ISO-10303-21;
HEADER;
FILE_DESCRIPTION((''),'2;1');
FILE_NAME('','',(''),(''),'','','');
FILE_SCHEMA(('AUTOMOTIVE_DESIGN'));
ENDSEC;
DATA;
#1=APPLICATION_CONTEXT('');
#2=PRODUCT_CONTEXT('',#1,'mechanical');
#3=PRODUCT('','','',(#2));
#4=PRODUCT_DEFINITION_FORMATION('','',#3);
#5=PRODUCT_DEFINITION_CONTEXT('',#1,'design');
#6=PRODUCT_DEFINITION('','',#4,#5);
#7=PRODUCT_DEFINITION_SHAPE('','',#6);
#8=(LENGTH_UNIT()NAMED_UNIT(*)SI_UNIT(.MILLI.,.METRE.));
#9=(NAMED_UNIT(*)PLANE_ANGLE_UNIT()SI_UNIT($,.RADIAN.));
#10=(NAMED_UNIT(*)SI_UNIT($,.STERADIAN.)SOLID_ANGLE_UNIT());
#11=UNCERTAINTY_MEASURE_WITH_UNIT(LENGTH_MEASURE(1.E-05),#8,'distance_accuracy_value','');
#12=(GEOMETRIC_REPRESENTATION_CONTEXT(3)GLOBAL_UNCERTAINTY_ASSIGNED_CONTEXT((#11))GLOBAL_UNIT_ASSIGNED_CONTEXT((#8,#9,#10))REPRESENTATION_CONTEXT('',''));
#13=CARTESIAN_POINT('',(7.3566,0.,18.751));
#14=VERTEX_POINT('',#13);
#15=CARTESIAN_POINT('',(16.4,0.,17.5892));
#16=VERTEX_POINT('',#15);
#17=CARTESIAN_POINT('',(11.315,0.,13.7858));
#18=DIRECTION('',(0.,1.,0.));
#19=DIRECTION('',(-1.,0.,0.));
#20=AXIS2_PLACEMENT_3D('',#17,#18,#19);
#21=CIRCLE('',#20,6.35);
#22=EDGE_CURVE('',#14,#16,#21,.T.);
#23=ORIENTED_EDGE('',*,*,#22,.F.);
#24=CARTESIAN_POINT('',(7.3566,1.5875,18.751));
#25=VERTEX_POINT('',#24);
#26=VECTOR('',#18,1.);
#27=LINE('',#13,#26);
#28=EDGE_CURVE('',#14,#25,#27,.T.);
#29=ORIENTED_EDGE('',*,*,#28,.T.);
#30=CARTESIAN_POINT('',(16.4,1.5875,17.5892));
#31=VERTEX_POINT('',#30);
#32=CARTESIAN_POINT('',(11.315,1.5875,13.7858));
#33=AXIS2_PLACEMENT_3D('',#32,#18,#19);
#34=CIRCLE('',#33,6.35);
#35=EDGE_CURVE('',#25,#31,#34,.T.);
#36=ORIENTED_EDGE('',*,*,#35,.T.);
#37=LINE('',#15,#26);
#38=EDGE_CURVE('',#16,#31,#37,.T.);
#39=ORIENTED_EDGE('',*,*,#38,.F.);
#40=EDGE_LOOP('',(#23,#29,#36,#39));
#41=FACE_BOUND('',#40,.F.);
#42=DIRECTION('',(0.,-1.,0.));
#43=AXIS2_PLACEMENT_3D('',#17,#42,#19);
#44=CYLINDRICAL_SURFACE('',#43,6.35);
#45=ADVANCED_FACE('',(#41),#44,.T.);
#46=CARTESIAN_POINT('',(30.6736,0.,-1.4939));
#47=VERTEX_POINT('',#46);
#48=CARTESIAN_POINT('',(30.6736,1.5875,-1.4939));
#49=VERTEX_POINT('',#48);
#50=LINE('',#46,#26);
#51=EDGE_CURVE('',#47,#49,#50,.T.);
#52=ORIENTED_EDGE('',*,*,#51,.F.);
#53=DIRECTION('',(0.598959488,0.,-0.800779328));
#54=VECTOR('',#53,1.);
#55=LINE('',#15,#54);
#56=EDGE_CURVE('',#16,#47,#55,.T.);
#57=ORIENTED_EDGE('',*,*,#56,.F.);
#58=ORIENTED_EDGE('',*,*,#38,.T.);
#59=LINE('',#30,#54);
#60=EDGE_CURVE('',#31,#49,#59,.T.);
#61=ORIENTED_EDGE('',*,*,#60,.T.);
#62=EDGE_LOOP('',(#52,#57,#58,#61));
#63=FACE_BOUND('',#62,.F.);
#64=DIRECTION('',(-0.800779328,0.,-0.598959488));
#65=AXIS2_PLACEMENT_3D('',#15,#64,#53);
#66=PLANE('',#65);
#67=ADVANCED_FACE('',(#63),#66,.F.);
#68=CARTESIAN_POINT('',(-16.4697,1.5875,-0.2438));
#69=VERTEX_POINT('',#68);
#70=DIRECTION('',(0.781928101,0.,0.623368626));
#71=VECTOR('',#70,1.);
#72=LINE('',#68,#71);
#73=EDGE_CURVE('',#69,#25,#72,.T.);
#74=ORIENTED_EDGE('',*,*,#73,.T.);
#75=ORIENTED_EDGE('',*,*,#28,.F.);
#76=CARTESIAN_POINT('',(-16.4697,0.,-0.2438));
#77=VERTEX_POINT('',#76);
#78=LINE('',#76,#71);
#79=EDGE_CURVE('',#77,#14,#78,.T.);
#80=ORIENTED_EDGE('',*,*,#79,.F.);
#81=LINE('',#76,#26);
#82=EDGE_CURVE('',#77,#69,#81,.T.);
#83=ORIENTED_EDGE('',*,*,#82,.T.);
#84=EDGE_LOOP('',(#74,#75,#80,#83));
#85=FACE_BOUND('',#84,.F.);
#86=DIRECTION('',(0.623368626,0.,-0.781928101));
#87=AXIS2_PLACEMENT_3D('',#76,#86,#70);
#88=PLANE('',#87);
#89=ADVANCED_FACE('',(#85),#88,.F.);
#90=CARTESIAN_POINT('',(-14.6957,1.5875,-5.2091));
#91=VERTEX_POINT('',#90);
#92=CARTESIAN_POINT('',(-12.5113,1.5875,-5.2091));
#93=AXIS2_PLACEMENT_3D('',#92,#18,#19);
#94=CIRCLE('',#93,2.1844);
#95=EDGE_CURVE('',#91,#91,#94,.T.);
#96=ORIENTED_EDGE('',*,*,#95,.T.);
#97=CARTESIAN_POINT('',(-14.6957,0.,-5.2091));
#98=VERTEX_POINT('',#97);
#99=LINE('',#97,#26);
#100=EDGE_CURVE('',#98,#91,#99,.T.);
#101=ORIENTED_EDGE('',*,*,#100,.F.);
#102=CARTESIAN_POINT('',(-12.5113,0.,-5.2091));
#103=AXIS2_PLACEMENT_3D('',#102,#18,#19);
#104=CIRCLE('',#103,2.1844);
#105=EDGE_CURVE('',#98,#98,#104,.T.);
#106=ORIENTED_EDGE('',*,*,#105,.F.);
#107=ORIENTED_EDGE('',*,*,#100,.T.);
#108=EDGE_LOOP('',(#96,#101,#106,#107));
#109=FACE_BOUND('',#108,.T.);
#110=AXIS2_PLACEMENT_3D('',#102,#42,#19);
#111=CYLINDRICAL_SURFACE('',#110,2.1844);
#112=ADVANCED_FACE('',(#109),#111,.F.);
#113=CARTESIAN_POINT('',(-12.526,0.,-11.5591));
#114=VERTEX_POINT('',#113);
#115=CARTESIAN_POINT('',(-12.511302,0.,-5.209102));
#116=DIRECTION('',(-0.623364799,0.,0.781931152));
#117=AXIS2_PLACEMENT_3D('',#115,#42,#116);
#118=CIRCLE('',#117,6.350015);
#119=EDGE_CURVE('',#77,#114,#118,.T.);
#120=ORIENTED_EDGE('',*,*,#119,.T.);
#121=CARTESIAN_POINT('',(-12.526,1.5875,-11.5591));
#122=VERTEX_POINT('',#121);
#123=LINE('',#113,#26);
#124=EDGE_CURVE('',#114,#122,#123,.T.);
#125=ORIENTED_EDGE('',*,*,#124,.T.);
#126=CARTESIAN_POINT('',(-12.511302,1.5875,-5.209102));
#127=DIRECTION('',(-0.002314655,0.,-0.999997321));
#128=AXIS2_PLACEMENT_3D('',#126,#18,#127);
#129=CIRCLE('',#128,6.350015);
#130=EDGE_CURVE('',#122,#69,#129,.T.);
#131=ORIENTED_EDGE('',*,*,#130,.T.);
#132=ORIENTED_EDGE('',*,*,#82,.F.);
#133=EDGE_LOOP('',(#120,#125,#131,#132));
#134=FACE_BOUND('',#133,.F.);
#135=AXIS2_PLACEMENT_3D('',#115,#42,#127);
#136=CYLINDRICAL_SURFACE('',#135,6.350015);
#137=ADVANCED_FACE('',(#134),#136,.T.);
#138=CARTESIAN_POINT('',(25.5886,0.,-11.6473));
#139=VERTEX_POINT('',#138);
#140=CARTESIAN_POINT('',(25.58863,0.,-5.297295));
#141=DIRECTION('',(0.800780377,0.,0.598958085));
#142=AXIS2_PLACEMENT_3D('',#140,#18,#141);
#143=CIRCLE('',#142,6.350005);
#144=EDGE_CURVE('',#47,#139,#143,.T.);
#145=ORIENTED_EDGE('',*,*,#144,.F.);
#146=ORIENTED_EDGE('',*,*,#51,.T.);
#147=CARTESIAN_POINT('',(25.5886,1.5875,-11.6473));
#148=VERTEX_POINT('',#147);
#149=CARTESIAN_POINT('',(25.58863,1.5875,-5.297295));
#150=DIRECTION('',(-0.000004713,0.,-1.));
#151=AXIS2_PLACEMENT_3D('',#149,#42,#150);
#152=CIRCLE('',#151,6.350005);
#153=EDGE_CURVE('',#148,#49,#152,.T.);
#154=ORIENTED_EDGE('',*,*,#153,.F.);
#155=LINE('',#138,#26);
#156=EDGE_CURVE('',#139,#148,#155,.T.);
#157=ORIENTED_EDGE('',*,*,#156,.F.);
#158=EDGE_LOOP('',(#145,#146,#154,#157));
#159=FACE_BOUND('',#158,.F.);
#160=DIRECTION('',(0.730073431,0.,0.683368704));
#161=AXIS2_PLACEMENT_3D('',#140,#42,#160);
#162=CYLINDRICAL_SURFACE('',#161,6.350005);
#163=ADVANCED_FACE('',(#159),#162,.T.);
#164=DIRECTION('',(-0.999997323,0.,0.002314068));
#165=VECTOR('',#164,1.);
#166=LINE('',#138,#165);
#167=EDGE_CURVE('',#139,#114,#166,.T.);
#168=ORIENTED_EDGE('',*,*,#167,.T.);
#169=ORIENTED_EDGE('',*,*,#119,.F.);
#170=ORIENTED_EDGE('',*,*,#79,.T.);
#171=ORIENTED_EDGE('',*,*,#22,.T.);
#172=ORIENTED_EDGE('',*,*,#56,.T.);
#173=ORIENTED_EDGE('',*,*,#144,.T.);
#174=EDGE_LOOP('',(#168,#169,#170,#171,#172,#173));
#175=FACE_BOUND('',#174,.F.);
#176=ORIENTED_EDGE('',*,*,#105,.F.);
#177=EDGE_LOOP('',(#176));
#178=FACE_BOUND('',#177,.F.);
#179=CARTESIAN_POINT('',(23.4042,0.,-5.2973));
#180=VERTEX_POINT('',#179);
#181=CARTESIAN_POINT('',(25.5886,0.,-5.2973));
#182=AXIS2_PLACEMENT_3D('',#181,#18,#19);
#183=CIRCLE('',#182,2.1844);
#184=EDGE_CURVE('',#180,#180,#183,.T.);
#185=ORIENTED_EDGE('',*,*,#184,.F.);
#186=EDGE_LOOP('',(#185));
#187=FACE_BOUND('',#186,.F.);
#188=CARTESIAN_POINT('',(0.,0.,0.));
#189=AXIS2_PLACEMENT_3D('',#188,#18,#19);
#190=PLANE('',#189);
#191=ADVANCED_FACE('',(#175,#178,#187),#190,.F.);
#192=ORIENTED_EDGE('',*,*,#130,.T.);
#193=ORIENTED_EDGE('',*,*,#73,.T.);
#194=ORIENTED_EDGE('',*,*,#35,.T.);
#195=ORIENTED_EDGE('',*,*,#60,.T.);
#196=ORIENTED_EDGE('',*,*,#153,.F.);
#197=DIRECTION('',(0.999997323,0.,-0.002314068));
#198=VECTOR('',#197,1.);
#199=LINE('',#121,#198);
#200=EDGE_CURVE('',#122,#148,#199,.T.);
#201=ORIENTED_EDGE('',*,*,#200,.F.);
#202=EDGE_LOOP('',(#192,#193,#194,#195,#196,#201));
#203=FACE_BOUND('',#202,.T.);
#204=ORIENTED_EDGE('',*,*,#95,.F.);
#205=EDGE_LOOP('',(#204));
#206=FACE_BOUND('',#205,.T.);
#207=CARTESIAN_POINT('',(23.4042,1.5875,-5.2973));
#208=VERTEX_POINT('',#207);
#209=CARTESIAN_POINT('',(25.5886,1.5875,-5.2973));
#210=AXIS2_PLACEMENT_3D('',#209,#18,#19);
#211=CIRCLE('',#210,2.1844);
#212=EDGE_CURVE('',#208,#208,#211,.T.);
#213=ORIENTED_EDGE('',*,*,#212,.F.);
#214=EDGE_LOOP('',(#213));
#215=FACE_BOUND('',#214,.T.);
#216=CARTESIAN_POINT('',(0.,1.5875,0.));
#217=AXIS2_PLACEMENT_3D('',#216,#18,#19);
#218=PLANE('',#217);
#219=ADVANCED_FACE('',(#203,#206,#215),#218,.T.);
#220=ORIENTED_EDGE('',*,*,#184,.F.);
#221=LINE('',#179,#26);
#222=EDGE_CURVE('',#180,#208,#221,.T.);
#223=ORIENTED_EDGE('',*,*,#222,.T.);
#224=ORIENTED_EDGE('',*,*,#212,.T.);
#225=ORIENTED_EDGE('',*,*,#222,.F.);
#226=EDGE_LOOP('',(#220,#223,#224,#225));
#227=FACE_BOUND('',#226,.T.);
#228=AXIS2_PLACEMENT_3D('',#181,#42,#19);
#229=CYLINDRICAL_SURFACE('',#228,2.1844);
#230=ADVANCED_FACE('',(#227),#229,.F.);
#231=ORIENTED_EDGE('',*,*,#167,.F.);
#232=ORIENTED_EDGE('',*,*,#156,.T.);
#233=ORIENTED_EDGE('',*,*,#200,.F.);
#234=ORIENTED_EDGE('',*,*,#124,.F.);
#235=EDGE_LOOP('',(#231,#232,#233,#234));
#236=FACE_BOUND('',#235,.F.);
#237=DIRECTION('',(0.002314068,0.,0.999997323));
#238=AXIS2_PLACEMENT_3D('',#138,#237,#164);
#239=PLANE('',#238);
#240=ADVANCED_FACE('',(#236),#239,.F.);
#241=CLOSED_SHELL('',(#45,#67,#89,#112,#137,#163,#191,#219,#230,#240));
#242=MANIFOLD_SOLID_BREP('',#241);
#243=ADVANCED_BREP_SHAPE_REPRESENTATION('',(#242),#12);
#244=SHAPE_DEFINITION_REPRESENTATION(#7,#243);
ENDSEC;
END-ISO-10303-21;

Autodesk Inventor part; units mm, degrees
ref_plane "YZ Plane" through (0, 0, 0) normal (1, 0, 0) x (0, 1, 0)
ref_plane "XZ Plane" through (0, 0, 0) normal (0, 1, 0) x (-1, 0, 0)
ref_plane "XY Plane" through (0, 0, 0) normal (0, 0, 1) x (1, 0, 0)
sketch "Sketch1" plane through (0, 0, 0) normal (0, 1, 0) x (-1, 0, 0)
  circle A0 centre (-25.5886, -5.2973) radius 2.1844
  arc A1 (-30.2246, -0.9579) -> (-25.5886, -11.6473) centre (-25.5886, -5.2973) ccw
  circle A2 centre (12.5113, -5.2091) radius 2.1844
  arc A3 (12.526, -11.5591) -> (15.7227, 0.269) centre (12.5113, -5.2091) ccw
  line L0 (-25.5886, -11.6473) -> (12.526, -11.5591)
  arc A4 (12.526, -11.5591) -> (16.7749, -0.5033) centre (12.5113, -5.2091) ccw
  arc A5 (-30.8807, -1.7878) -> (-25.5886, -11.6473) centre (-25.5886, -5.2973) ccw
  line L1 (-11.315, -11.6142) -> (-11.315, 13.7858)
  circle A6 centre (-11.315, 13.7858) radius 6.35
  circle A7 centre (12.5113, -5.2091) radius 6.35
  circle A8 centre (-25.5886, -5.2973) radius 6.35
  line L2 (16.4697, -0.2438) -> (-7.3566, 18.751)
  line L3 (-16.4, 17.5892) -> (-30.6736, -1.4939)
  point P0 (0, 0)
  point P1 (-30.6736, -1.4939)
  dimension "d0" = 12.7
  dimension "d10" = 4.3688
  dimension "d11" = 12.7
  dimension "d16" = 38.1
  dimension "d19" = 25.4
  dimension "d20" = 12.7
extrude "Extrusion1" add sketch "Sketch1" along normal blind 1.5875
sketch "Sketch2" plane through (0, 1.5875, 0) normal (0, 1, 0) x (1, 0, 0)
  circle A0 centre (-25.1602, 5.259) radius 2.1844 projected
  circle A1 centre (25.5886, 5.2973) radius 2.1844 projected
  arc A2 (30.6736, 1.4939) -> (25.5886, 11.6473) centre (25.5886, 5.2973) ccw projected
  line L0 (25.5886, 11.609) -> (-25.1602, 11.609) projected
  line L1 (15.958, -14.3766) -> (30.2758, 0.9195) projected
  arc A3 (8.8667, -15.8933) -> (15.958, -14.3766) centre (11.3221, -10.0372) ccw projected
  line L2 (-27.6155, -0.5971) -> (8.8667, -15.8933) projected
  arc A4 (-25.1602, 11.609) -> (-27.6155, -0.5971) centre (-25.1602, 5.259) ccw projected
  point P0 (0, 0)
  point P1 (30.9319, 1.7495)
  dimension "d6" = 27.9962
sketch "Sketch3" plane through (0, 1.5875, 0) normal (0, 1, 0) x (1, 0, 0)
  line L0 (25.5886, 11.6473) -> (-12.526, 11.5591) projected
  arc A0 (-12.526, 11.5591) -> (-16.4697, 0.2438) centre (-12.5113, 5.2091) ccw projected
  line L1 (-16.4697, 0.2438) -> (7.3566, -18.751) projected
  arc A1 (7.3566, -18.751) -> (16.4, -17.5892) centre (11.315, -13.7858) ccw projected
  line L2 (16.4, -17.5892) -> (30.6736, 1.4939) projected
  arc A2 (30.6736, 1.4939) -> (25.5886, 11.6473) centre (25.5886, 5.2973) ccw projected
  circle A3 centre (25.5886, 5.2973) radius 2.1844 projected
  circle A4 centre (-12.5113, 5.2091) radius 2.1844 projected
  point P0 (0, 0)
properties part number "1.25LadyBrown"
